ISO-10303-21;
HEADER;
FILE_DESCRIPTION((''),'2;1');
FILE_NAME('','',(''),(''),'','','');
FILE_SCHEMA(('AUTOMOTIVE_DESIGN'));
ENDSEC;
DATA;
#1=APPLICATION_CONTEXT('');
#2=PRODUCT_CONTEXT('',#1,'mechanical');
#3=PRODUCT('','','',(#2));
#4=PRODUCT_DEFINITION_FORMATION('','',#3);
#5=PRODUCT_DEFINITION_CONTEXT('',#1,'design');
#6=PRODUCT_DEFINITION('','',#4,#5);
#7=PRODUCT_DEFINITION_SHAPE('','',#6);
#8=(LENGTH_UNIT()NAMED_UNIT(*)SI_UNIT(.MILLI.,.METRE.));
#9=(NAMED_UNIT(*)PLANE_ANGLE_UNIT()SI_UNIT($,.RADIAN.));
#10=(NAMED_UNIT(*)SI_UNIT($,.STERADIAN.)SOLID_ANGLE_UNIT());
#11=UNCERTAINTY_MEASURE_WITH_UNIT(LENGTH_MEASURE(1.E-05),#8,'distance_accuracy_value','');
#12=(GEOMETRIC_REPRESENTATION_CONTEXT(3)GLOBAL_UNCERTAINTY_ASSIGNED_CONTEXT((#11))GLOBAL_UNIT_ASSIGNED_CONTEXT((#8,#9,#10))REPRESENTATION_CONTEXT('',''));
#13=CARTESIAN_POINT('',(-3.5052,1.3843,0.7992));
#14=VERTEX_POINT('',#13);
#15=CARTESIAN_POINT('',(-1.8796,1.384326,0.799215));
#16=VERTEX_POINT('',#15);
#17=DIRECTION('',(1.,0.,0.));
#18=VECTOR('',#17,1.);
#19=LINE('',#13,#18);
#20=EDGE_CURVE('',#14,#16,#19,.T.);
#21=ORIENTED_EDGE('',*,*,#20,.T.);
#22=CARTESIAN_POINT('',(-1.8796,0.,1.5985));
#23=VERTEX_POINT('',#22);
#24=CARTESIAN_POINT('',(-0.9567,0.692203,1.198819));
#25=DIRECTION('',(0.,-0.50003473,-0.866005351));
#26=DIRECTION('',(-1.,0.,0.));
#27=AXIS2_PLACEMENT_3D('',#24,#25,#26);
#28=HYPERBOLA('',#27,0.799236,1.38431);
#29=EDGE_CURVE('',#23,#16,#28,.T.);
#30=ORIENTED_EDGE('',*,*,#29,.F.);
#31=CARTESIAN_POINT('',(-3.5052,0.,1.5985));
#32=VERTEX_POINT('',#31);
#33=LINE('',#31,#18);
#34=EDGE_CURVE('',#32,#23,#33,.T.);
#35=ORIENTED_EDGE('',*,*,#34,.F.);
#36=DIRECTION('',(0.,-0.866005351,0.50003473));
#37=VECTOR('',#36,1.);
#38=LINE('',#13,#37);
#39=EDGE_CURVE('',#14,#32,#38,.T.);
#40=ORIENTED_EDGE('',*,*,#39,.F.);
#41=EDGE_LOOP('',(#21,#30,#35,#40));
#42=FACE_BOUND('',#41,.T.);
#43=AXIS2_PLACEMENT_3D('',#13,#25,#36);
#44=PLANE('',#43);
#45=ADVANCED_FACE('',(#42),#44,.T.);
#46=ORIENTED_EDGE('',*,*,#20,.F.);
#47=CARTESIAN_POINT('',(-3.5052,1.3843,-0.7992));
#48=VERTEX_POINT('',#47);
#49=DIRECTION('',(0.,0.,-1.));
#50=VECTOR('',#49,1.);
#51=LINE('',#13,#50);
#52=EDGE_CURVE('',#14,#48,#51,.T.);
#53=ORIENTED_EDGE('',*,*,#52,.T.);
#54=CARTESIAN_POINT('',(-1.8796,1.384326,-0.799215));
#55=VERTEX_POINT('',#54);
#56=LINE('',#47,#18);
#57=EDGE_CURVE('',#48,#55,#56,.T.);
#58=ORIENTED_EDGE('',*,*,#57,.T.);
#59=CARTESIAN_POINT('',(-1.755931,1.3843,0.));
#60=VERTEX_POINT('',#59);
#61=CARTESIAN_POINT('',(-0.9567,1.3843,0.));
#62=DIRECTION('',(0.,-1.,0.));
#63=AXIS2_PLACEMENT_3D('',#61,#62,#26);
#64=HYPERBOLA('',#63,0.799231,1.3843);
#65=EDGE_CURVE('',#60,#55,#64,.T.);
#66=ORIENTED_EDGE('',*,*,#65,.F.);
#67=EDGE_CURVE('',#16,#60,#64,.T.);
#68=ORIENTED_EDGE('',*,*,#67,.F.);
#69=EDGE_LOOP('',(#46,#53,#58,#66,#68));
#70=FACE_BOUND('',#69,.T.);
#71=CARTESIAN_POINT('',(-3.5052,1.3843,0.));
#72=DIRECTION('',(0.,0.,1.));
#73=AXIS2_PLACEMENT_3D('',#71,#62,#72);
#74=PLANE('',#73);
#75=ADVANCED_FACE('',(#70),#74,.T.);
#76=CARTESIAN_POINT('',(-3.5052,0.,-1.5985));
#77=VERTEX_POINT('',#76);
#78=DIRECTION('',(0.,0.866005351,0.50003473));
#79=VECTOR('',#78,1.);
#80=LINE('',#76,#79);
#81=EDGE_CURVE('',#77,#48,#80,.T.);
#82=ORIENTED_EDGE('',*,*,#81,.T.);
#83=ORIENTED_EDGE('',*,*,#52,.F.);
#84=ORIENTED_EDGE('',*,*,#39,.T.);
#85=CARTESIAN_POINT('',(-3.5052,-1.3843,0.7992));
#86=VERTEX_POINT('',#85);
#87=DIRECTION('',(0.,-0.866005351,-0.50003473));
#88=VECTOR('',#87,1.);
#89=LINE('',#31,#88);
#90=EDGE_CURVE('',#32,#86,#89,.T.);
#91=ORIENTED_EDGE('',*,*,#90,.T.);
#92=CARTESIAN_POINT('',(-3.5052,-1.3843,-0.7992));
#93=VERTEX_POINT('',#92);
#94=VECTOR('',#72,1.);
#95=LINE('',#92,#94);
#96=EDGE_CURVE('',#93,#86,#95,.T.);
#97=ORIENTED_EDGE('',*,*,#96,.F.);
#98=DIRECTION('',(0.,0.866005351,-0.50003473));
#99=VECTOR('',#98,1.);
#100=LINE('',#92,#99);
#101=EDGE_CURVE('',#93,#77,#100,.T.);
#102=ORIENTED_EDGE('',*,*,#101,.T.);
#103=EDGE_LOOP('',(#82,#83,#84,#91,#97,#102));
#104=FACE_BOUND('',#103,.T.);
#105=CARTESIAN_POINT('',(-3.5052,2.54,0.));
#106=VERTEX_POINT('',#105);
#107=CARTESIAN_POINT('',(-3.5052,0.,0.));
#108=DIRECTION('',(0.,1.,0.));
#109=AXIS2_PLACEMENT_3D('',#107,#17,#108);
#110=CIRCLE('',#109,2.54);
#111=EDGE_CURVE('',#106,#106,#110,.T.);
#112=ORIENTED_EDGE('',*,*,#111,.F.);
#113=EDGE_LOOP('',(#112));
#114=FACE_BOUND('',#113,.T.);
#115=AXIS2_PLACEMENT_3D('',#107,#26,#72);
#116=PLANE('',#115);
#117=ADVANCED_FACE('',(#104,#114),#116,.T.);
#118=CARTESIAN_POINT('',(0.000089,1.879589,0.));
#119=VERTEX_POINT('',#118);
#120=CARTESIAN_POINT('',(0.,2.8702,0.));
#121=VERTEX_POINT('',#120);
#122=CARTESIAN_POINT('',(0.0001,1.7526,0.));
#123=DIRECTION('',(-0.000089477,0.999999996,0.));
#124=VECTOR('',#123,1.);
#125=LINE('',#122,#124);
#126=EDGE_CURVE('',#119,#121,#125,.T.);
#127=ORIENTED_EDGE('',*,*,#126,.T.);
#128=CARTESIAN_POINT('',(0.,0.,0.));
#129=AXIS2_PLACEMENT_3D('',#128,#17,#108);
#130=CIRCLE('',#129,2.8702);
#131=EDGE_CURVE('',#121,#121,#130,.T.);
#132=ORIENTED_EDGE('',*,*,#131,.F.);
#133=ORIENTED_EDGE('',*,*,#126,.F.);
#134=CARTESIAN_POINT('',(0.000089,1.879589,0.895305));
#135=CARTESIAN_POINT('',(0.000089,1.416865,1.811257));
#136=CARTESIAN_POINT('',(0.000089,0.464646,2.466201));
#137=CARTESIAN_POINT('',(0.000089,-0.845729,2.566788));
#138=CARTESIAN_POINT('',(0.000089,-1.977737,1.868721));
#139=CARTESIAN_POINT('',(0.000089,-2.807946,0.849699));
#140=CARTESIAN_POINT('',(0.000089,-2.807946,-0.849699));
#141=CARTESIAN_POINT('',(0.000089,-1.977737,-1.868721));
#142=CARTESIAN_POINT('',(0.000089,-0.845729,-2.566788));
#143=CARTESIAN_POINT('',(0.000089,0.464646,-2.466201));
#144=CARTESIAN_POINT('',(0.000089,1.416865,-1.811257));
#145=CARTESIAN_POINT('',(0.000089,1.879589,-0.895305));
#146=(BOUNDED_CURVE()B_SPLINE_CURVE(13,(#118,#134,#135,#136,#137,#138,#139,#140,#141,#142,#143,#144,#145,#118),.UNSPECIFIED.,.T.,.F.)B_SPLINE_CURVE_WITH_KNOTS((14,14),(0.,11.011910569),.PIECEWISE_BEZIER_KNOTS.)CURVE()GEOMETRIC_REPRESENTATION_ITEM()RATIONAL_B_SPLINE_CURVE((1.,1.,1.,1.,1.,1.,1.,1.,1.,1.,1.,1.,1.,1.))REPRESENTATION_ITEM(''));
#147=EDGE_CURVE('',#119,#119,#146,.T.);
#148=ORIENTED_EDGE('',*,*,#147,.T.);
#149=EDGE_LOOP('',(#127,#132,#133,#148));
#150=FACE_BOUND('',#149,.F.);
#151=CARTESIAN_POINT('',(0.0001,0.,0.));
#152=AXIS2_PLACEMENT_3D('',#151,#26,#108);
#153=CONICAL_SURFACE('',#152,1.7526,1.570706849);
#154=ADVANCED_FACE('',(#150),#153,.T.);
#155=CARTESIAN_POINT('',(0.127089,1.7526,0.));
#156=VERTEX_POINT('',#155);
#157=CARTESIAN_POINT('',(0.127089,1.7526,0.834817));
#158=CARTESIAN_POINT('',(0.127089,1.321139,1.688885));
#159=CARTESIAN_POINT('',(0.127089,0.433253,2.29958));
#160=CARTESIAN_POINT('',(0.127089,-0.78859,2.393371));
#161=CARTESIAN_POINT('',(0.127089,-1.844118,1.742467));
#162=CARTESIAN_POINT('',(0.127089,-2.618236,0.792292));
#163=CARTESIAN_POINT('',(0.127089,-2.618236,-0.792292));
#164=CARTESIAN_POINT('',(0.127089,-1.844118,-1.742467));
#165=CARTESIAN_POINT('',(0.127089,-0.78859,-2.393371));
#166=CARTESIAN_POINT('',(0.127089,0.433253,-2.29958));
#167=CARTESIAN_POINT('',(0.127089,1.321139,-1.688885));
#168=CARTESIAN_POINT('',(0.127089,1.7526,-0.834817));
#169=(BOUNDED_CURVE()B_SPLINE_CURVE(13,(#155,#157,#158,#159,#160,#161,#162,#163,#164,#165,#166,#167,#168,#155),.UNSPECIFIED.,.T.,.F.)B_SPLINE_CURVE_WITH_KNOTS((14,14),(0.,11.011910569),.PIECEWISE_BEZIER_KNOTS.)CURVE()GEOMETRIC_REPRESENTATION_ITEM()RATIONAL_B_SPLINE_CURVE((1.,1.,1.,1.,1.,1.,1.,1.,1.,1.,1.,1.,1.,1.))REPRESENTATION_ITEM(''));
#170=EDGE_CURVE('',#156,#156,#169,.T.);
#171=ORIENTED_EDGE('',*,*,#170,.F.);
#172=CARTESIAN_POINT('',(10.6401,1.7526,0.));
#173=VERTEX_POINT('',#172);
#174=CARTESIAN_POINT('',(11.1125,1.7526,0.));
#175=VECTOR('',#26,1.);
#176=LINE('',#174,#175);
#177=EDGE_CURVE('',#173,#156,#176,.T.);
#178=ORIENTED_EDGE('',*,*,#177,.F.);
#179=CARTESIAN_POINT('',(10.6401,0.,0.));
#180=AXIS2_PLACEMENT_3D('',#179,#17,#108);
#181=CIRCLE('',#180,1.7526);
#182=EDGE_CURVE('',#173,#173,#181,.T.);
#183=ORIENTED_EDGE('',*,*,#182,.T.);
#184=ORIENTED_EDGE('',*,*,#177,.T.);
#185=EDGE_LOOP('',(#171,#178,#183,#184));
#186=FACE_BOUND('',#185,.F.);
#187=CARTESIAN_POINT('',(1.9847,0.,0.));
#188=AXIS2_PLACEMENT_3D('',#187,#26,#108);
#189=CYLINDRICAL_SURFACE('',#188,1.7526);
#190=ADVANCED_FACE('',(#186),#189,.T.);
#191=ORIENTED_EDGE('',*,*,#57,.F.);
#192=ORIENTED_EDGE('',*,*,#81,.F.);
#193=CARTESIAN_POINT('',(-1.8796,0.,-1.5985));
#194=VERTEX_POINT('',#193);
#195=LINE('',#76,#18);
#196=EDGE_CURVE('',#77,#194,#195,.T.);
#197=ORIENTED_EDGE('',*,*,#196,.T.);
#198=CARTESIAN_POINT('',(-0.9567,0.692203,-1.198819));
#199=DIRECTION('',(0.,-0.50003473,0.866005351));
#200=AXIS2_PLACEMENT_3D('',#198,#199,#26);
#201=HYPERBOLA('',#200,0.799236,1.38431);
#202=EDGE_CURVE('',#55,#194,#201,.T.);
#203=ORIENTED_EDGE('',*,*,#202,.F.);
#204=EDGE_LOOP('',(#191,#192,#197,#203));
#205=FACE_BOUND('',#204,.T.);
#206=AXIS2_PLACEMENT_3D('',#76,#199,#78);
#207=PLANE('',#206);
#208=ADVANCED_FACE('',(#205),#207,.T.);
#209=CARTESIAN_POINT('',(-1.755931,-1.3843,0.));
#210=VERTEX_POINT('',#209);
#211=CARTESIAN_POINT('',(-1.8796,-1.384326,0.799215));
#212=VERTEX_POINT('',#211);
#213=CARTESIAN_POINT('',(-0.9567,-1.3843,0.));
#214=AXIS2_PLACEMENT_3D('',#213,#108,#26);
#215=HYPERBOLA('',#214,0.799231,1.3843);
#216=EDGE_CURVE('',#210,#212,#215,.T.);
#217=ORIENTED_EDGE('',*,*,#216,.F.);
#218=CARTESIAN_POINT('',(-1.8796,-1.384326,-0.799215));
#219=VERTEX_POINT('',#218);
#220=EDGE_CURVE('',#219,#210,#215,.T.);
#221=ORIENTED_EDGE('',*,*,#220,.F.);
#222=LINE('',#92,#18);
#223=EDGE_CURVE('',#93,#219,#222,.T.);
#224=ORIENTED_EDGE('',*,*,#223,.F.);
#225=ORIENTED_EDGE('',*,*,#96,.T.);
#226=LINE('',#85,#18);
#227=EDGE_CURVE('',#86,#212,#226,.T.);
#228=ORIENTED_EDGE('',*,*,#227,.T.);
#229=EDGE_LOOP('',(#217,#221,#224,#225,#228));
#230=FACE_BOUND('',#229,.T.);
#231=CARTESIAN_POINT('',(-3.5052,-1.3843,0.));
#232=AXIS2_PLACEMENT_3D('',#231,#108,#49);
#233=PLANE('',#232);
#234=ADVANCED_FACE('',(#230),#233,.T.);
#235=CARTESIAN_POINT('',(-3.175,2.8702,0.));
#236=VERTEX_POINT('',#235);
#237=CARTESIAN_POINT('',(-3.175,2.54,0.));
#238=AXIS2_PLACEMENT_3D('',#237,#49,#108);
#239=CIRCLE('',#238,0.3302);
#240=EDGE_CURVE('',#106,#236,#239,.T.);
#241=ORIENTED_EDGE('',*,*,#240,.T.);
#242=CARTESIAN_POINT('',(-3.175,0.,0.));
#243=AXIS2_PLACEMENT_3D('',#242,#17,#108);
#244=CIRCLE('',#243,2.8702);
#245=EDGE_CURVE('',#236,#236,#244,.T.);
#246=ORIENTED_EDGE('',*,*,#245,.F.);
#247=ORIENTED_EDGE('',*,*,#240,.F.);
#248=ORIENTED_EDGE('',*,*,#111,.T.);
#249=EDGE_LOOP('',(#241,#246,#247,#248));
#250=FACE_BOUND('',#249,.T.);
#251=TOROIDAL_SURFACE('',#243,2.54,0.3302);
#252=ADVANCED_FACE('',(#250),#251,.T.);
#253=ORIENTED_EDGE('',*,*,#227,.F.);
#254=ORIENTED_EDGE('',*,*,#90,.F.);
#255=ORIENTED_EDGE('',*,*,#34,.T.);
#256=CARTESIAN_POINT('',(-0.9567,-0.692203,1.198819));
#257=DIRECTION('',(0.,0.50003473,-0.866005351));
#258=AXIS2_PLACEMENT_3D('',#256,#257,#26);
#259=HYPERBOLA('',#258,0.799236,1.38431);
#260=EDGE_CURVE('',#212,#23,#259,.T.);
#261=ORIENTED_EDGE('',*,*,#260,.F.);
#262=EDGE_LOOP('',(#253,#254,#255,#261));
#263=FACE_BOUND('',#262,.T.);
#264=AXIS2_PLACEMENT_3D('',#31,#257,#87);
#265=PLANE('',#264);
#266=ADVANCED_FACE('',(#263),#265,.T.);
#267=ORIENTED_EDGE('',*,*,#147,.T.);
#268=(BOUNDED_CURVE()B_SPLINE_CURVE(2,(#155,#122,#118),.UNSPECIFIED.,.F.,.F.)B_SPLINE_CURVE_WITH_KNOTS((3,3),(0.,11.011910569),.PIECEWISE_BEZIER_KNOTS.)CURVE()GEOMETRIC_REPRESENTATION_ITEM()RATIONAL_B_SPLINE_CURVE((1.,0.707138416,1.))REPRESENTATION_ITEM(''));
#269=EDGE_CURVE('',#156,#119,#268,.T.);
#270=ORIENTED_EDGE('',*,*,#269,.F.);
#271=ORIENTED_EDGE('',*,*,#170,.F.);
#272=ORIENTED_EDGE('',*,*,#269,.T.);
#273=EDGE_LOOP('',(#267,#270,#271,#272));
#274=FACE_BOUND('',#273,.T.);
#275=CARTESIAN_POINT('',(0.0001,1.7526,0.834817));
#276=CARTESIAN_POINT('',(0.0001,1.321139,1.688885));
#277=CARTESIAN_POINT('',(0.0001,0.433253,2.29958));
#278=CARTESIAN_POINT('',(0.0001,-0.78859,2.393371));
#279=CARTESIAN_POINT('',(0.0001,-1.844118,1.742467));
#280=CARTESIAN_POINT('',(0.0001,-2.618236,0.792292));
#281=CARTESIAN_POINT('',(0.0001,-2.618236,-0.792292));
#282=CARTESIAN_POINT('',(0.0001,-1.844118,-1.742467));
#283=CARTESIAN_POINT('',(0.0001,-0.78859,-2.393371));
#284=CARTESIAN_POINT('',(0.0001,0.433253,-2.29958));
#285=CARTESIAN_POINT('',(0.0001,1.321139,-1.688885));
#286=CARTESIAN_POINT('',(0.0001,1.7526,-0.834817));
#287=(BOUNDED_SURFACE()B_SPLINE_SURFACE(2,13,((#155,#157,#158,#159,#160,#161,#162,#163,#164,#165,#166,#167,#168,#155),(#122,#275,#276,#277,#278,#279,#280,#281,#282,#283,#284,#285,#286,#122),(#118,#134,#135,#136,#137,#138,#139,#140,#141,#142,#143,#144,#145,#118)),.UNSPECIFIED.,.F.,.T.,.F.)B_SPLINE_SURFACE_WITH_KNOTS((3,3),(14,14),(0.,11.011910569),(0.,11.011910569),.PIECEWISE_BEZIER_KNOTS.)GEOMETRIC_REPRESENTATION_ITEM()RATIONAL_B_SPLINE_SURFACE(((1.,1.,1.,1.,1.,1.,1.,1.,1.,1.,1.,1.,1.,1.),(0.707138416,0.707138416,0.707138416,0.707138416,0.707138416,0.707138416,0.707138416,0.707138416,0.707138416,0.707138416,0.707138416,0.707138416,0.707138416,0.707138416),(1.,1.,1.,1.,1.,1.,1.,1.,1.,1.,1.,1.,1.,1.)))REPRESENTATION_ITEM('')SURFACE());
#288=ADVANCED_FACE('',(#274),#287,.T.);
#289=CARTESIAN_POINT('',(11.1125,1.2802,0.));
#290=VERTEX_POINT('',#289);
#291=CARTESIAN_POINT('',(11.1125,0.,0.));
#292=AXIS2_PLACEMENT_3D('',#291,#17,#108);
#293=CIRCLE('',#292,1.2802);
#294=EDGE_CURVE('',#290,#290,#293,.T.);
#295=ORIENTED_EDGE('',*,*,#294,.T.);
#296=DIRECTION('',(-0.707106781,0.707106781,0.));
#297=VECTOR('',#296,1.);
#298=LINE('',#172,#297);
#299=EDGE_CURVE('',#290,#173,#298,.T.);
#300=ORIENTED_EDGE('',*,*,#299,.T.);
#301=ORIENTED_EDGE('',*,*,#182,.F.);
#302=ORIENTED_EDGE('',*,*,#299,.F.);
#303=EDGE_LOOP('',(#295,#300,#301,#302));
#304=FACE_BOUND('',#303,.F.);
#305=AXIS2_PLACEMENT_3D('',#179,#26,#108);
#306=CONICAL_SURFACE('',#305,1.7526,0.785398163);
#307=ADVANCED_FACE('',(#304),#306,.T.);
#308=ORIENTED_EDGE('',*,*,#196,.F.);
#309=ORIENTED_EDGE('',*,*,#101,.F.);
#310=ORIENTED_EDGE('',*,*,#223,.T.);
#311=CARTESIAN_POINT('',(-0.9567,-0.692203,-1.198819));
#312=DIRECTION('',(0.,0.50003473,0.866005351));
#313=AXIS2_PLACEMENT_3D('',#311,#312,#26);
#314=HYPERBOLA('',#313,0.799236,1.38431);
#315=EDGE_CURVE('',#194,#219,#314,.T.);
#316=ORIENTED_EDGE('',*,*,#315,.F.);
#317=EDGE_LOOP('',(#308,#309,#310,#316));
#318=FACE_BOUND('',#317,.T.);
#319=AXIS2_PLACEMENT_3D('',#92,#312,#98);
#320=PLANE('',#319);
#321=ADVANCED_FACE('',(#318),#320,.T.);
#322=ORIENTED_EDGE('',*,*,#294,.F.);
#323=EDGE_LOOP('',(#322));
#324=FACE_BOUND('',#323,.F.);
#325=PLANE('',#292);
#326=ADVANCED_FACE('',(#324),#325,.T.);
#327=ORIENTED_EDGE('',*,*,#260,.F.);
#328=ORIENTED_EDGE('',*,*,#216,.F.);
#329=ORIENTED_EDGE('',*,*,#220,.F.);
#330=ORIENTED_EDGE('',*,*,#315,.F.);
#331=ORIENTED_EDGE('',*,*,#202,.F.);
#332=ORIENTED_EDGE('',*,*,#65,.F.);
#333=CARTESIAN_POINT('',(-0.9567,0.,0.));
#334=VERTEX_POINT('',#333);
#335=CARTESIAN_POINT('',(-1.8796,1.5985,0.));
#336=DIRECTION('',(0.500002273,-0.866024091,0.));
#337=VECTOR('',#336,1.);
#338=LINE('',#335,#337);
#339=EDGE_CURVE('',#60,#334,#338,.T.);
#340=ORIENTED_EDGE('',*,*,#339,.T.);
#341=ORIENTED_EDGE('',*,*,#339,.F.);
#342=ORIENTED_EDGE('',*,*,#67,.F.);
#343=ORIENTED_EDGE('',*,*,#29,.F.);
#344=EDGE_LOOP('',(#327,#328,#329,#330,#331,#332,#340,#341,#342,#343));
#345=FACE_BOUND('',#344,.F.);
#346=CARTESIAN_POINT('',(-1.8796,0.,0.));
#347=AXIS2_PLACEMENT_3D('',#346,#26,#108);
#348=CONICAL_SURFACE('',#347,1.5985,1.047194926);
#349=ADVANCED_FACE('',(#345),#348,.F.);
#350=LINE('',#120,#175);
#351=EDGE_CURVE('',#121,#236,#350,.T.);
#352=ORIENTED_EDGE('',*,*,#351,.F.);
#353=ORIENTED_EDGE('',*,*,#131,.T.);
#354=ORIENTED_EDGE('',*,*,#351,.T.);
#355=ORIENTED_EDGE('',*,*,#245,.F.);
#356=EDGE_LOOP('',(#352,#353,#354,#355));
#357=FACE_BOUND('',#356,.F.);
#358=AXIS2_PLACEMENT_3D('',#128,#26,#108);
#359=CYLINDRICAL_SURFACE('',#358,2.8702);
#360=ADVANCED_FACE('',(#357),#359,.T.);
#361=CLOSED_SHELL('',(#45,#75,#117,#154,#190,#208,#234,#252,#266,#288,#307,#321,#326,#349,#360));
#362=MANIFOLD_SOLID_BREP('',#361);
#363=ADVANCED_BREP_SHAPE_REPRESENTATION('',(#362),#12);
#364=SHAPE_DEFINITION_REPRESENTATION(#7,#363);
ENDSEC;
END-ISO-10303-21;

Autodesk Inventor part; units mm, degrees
ref_plane "YZ Plane" through (0, 0, 0) normal (1, 0, 0) x (0, 1, 0)
ref_plane "XZ Plane" through (0, 0, 0) normal (0, 1, 0) x (-1, 0, 0)
sketch "Sketch1" plane through (0, 0, 0) normal (0, 0, 1) x (1, 0, 0)
  line L0 (-0.9567, 0) -> (11.1125, 0)
  line L1 (11.1125, 0) -> (11.1125, 1.7526)
  line L2 (11.1125, 1.7526) -> (1.9847, 1.7526)
  line L3 (1.9847, 1.7526) -> (0.0001, 1.7526)
  line L4 (0.0001, 1.7526) -> (0, 1.7526)
  line L5 (0, 1.7526) -> (0, 2.8702)
  line L6 (0, 2.8702) -> (-3.5052, 2.8702)
  line L7 (-3.5052, 2.8702) -> (-3.5052, 1.5985)
  line L8 (-3.5052, 1.5985) -> (-1.8796, 1.5985)
  line L9 (-1.8796, 1.5985) -> (-0.9567, 0)
  line L10 (-6.4287, 0) -> (14.036, 0) projected
  line L11 (0, -0.574) -> (0, 3.4442) projected
  line L12 (1.9847, 1.7526) -> (0, 1.7526) construction
  dimension "d1" = 9.1278
  dimension "d2" = 1.9846
  dimension "d3" = 3.5052
  dimension "d4" = 1.6256
  dimension "d5" = 60
  dimension "d6" = 3.5052
  dimension "d7" = 3.5052
  dimension "d8" = 3.1969
  dimension "d9" = 5.7404
  dimension "d26" = 11.1125
revolve "Body" add sketch "Sketch1" angle 360 about axis through (-0.9567, 0, 0) along (1, 0, 0)
sketch "Sketch2" plane through (-3.5052, 0, 0) normal (-1, 0, 0) x (0, 0, 1)
  circle A0 centre (0, 0) radius 1.5985 projected
  line L0 (0, -4.0183) -> (0, 4.0183) projected
  line L1 (-4.0183, 0) -> (4.0183, 0) projected
  line L2 (1.5985, 0) -> (0.7992, -1.3843)
  line L3 (0.7992, -1.3843) -> (-0.7992, -1.3843)
  line L4 (-0.7992, -1.3843) -> (-1.5985, 0)
  line L5 (-1.5985, 0) -> (-0.7992, 1.3843)
  line L6 (-0.7992, 1.3843) -> (0.7992, 1.3843)
  line L7 (0.7992, 1.3843) -> (1.5985, 0)
extrude "Slot" add sketch "Sketch2" against normal up to next contours L7 A0 | A0 L2 | L6 L0 A0 | A0 L0 L3 | L0 L6 A0 | A0 L3 L0 | L4 A0 | A0 L5
fillet "Fillet1" radius 0.3302 1 edges at (-3.5052, -2.8702, 0)
thread "Thread" size "6-32 UNC" class "2A" standard "ANSI Unified Screw Threads" length 9.1278
chamfer "Chamfer1" distance 0.4724 distance2 0.4724 1 edges at (11.1125, -1.7526, 0) measured on face at (11.1125, -0.5672, -0.1398)
ref_plane "Work Plane1" through (29, 0, 0) normal (0, -1, 0) x (1, 0, 0)
fillet "Fillet2" radius 0.127 1 edges at (0.0001, -1.7526, 0)
equation "\"d1\" = GEL"
equation "\"d3\" = KOH"
equation "\"d4\" = INTI"
equation "\"d6\" = GD"
equation "\"d7\" = BDM"
equation "\"d8\" = 1.1547 * SW"
equation "\"d9\" = KOD"
equation "\"d26\" = NLG"
equation "\"d30\" = R"
equation "\"d17\" = RR"
equation "\"d13\" = GEL"
equation "\"d15\" = -0.5 * SPD + 0.5 * GD"
equation "\"d16\" = GUL"
equation "\"GD\" = 3.5052"
equation "\"NLG\" = 11.1125"
equation "\"GEL\" = 9.1278"
equation "\"KOD\" = 5.7404"
equation "\"KOH\" = 3.5052"
equation "\"INTI\" = 1.6256"
equation "\"GAL\" = 1.9845"
equation "\"GUL\" = 0.47244"
equation "\"BDM\" = 3.5052"
equation "\"SW\" = 2.7686"
equation "\"RR\" = 0.3302"
equation "\"SPD\" = 2.56032"
equation "\"R\" = 0.127"
equation "\"PHH\" = 0.127"
equation "\"GD1\" = SPD"
equation "\"THREADDIA\" = 3.5052"
equation "\"FAWI\" = 45deg"
equation "\"KOH1\" = 3.1496"
equation "\"NND\" = 3.5052"
equation "\"TOA\" = 30deg"
equation "\"E0\" = 1.155 * SW"
properties part number "ANSI B18.3 - No. 6 - 32 UNC - 7/16 HS HCS" material "Steel, Mild"
